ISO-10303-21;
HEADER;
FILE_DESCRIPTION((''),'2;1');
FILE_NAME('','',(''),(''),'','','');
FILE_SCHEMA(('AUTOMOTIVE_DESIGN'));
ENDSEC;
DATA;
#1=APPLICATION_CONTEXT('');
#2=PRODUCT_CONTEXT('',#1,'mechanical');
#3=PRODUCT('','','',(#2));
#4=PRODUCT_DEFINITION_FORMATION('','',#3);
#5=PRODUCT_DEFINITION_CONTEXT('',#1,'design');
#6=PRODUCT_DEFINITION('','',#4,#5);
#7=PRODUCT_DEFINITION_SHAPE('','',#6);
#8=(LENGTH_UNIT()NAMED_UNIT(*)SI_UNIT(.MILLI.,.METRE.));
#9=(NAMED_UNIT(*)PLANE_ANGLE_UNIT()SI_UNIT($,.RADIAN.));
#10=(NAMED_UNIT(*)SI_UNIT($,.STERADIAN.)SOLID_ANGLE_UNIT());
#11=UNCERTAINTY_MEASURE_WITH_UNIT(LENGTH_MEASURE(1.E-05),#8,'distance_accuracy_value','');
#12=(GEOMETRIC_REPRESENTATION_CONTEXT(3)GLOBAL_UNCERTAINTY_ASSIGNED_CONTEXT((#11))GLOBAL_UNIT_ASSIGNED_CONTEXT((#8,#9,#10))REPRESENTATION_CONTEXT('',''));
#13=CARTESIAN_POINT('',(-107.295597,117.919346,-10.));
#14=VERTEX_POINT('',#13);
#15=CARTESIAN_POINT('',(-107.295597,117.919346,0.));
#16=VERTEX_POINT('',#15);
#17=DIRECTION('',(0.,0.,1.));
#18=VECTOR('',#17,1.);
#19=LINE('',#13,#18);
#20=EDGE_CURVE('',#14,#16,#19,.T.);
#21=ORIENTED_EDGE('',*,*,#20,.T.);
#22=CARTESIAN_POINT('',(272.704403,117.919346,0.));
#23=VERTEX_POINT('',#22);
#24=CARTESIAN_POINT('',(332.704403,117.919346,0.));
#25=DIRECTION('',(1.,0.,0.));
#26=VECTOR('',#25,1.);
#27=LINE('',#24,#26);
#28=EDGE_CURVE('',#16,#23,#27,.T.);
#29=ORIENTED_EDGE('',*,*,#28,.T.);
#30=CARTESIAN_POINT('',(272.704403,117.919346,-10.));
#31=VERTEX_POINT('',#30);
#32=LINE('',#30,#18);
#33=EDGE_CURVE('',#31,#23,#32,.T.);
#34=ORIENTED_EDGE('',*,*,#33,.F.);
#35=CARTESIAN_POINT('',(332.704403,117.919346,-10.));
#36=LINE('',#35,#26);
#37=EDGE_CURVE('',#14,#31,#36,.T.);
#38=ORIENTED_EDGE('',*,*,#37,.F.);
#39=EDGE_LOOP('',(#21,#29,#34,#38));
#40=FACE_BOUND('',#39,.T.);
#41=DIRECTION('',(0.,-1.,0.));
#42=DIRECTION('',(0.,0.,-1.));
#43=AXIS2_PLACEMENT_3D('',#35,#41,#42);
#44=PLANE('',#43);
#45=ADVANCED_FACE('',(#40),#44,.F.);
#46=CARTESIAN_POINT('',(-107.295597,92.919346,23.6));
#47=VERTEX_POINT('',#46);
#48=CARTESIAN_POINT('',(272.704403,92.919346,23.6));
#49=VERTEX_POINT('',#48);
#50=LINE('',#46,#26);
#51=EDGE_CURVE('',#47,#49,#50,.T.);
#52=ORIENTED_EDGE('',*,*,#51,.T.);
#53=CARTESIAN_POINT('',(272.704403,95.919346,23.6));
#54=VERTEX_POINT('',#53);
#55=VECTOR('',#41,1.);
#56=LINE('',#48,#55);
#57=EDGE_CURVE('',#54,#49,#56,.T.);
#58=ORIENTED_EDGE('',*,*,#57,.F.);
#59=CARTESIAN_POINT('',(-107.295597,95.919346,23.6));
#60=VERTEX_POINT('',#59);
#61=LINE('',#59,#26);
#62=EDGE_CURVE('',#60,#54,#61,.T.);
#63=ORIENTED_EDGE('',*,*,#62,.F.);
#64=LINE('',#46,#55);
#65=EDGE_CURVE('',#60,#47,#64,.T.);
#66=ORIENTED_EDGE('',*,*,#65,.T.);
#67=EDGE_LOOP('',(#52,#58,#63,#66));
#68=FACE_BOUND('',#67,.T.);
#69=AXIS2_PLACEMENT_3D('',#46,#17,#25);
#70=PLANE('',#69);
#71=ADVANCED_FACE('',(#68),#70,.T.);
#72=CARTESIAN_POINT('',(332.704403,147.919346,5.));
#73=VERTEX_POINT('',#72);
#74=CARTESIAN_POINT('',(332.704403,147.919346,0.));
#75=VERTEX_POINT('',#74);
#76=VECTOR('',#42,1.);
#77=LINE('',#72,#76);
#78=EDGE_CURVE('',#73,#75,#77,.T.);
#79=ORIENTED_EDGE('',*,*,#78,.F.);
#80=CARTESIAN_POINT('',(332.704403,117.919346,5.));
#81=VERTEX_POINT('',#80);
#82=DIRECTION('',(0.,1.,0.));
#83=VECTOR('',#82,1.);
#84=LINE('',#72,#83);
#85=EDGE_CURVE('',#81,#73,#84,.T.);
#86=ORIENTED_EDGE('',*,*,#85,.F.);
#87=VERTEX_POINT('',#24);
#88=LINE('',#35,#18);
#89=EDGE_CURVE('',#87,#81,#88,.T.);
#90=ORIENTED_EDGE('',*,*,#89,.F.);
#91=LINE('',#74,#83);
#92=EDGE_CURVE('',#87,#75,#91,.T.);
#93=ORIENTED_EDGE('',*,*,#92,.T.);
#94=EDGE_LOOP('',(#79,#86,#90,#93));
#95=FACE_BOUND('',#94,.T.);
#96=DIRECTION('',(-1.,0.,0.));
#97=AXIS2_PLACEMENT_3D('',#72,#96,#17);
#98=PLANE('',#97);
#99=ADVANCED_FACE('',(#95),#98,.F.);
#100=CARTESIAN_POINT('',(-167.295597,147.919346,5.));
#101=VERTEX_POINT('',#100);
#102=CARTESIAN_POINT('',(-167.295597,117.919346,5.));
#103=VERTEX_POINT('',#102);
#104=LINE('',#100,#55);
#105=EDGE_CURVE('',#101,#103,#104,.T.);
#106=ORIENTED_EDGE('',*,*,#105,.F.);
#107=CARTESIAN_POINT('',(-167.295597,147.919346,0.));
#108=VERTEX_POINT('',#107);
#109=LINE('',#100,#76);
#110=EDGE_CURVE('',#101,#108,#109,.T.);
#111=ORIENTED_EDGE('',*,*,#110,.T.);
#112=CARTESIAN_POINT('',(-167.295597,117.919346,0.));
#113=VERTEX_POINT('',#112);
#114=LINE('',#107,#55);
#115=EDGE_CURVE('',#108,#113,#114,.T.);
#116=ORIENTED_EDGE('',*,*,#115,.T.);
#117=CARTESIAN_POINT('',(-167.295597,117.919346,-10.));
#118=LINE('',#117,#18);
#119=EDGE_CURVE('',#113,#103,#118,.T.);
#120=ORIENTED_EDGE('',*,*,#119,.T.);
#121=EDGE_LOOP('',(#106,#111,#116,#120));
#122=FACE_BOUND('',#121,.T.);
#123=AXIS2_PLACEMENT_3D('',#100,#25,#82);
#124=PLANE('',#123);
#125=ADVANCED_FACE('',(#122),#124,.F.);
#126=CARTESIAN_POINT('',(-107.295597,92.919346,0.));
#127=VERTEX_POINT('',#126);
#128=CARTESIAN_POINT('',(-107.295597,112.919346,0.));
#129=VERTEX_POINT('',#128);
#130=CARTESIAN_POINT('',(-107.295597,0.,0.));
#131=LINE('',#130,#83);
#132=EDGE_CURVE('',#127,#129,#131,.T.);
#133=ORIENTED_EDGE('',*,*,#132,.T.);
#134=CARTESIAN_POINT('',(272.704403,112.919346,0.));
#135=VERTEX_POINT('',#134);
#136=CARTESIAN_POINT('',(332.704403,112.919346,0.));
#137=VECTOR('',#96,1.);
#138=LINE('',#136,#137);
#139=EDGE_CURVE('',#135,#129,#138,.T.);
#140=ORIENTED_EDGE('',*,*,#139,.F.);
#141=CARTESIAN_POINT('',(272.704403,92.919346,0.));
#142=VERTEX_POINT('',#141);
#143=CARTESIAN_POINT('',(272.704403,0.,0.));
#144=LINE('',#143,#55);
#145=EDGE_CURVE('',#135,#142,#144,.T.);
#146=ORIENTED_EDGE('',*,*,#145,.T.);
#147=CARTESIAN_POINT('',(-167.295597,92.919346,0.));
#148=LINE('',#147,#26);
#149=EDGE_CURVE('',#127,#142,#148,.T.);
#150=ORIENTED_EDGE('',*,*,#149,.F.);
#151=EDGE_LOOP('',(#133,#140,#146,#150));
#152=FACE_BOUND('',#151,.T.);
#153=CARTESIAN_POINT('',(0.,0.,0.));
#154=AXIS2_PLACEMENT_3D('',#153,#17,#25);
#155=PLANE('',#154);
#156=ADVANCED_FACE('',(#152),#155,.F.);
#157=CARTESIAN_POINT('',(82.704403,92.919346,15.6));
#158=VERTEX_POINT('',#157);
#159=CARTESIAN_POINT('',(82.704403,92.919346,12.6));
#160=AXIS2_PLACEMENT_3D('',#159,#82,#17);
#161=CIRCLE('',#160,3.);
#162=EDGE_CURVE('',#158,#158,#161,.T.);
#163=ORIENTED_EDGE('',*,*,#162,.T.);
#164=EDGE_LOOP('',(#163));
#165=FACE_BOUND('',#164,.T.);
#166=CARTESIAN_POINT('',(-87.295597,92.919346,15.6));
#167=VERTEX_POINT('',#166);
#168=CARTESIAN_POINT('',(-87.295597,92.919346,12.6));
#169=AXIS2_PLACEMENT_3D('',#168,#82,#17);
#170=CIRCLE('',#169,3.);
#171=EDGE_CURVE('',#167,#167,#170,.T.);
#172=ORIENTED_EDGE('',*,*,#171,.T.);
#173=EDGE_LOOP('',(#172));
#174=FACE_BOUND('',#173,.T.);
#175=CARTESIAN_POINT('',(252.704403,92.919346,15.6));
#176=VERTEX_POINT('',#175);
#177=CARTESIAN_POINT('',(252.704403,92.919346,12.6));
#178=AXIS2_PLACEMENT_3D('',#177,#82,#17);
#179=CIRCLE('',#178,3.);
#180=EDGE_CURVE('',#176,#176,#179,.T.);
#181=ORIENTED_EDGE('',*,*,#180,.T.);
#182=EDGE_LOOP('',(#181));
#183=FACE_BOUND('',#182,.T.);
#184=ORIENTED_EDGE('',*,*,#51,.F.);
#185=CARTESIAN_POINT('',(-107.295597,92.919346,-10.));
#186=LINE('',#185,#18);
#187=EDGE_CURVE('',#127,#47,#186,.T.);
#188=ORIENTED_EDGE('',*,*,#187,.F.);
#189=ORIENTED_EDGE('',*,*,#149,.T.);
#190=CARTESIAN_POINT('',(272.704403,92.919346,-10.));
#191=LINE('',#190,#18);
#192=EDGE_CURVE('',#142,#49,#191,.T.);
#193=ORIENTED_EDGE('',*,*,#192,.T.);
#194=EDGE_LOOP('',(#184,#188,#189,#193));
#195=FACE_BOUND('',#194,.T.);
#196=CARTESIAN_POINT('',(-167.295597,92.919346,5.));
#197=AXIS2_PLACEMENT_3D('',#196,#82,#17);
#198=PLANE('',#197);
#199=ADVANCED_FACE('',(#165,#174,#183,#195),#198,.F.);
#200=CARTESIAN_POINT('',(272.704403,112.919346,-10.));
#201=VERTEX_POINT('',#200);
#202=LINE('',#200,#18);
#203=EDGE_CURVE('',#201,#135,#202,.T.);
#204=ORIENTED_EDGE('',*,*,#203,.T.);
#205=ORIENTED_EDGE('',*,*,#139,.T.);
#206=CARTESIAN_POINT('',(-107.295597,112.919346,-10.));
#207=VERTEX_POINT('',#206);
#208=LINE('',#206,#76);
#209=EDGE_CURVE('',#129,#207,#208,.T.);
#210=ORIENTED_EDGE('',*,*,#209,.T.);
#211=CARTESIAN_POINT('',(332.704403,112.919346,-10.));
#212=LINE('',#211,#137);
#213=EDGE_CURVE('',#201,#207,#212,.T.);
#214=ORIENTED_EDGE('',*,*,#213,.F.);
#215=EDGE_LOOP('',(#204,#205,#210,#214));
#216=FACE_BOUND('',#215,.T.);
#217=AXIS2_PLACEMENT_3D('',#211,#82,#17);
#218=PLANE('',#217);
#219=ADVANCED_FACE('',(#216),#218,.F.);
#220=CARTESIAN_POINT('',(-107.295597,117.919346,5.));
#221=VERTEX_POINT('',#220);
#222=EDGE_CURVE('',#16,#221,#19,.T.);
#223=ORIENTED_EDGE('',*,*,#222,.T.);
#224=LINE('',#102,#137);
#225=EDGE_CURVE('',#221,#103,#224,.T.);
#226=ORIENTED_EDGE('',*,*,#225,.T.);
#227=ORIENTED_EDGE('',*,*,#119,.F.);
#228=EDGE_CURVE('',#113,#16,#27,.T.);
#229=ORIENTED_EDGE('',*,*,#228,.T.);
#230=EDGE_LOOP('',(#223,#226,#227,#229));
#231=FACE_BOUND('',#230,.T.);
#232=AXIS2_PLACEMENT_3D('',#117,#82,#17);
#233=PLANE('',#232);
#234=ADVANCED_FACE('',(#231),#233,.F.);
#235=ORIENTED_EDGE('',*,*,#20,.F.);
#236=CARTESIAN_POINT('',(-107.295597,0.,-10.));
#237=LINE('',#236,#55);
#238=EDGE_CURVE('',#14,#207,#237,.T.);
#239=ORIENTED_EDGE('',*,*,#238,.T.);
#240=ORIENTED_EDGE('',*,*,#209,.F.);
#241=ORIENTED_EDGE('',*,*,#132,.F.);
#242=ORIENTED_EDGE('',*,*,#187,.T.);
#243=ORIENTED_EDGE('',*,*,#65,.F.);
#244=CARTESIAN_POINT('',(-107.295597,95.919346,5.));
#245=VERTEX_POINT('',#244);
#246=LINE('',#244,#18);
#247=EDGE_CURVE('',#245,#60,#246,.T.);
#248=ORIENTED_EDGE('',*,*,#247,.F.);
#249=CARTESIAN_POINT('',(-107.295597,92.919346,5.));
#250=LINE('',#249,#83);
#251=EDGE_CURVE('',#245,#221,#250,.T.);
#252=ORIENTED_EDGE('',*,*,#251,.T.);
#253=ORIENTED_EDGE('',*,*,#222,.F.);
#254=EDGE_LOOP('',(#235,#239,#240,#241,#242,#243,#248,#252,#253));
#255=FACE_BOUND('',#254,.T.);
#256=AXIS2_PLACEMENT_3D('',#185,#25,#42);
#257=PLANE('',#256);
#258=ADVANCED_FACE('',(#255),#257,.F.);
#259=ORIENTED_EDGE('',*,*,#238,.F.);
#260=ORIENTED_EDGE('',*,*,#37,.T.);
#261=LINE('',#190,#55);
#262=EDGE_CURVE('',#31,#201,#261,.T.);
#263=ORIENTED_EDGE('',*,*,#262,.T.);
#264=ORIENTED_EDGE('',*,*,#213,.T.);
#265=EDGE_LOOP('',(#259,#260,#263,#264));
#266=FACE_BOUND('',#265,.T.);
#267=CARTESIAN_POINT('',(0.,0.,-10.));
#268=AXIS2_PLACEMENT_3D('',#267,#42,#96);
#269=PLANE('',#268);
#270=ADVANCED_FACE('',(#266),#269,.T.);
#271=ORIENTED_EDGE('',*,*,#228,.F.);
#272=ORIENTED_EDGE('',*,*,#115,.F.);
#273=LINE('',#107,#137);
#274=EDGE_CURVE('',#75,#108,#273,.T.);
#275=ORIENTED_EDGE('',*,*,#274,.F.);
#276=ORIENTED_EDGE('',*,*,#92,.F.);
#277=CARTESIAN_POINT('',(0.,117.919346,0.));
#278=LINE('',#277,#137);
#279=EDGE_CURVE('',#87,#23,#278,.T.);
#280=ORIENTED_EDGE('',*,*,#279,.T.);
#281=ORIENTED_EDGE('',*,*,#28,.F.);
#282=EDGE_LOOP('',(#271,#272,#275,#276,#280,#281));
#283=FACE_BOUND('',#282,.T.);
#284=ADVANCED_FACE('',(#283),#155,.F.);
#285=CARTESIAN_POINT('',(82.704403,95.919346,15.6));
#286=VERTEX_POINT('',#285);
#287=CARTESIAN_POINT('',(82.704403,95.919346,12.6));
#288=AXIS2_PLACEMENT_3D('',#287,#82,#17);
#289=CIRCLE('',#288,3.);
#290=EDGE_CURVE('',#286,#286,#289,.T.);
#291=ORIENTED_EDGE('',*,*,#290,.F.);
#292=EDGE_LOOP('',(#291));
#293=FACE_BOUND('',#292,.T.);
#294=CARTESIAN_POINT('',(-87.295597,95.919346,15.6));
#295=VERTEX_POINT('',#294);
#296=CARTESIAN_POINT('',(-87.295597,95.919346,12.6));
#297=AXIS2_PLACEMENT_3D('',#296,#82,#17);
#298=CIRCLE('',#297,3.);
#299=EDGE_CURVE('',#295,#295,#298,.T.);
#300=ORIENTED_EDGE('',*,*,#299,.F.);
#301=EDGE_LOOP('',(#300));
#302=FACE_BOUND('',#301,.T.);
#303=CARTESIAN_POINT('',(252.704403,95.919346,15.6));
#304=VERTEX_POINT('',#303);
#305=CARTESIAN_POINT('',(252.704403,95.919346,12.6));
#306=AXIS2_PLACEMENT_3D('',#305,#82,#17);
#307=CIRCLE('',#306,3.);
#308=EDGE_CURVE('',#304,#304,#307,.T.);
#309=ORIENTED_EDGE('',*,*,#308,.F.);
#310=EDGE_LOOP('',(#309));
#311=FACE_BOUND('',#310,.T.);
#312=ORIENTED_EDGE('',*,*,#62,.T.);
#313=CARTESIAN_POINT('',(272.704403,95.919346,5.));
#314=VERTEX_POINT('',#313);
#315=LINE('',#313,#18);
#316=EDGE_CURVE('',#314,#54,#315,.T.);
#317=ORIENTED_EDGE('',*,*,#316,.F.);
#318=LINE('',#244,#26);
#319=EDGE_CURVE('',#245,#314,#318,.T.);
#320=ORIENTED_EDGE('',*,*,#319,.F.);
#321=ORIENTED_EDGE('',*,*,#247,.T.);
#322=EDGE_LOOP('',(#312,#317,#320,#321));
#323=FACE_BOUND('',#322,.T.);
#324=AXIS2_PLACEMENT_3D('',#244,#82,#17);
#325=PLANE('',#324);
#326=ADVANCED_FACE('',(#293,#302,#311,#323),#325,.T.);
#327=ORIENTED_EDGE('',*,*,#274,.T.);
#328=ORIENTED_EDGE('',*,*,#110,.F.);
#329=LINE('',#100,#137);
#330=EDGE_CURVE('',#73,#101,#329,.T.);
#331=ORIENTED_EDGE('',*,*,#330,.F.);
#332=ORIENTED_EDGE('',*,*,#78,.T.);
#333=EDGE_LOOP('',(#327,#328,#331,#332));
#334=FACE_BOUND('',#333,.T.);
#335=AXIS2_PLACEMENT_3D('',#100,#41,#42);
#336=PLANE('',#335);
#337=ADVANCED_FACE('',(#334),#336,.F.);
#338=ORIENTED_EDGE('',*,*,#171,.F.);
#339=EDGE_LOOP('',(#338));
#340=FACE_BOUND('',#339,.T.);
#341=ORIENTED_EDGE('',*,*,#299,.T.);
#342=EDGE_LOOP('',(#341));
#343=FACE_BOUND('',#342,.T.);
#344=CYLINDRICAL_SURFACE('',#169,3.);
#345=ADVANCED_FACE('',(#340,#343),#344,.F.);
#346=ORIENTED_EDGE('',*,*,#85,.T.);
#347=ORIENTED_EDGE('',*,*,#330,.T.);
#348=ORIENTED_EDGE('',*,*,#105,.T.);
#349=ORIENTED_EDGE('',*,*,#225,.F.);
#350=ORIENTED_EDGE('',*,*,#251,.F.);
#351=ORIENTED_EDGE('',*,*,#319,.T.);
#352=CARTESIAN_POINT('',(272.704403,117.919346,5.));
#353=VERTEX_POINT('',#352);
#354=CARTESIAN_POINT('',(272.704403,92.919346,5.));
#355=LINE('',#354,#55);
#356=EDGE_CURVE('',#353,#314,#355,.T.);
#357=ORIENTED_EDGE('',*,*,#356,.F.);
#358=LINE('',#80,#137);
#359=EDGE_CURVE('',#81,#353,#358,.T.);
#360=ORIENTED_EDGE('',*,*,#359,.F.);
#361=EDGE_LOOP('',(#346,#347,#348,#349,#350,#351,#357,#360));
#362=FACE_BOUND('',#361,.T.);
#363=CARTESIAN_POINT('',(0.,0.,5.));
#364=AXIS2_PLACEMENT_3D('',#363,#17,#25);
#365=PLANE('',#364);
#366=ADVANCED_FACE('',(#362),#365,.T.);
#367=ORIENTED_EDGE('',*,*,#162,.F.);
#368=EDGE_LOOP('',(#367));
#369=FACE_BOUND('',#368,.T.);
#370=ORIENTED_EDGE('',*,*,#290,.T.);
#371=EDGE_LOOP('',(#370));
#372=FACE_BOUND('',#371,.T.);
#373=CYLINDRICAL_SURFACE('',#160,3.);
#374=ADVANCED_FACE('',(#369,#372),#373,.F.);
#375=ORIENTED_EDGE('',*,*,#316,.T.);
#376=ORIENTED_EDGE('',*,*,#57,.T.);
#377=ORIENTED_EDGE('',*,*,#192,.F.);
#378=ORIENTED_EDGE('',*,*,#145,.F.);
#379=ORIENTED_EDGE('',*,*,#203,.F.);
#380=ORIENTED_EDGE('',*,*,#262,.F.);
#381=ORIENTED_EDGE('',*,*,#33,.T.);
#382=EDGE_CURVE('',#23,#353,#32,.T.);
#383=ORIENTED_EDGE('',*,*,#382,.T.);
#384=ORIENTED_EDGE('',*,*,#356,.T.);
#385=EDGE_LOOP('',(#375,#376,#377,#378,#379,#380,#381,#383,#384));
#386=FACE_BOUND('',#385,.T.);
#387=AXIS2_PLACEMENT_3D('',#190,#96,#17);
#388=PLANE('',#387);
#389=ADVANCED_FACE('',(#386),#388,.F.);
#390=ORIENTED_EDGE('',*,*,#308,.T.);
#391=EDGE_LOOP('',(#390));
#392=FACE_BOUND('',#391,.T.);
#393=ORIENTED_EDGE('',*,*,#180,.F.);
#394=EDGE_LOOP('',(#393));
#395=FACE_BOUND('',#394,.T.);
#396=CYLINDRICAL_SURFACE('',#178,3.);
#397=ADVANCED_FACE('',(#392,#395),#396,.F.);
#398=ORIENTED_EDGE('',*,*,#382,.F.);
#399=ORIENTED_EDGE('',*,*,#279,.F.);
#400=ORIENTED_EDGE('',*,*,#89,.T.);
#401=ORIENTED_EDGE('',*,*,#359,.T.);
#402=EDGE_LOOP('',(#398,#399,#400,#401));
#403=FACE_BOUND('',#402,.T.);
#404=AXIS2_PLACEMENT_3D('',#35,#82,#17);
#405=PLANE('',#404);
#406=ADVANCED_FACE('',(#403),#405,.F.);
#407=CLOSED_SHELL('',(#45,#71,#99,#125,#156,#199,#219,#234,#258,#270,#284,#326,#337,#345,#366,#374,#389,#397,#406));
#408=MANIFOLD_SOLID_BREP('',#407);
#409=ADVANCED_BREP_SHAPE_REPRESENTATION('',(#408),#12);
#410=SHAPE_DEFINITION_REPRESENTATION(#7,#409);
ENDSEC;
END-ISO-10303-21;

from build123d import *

# Parameters (mm, degrees)
SKETCH_1_W          = 500
SKETCH_1_H          = 55
EXTRUDE_1_DEPTH     = 5
SKETCH_2_W          = 500
SKETCH_2_H          = 5
EXTRUDE_2_DEPTH     = 10
SKETCH_6_W          = 60
SKETCH_6_H          = 25
CUT_EXTRUDE_2_DEPTH = 365.413710539
SKETCH_7_W          = 18.6
SKETCH_7_H          = 3
EXTRUDE_5_DEPTH     = 380
SKETCH_8_R          = 3
CUT_EXTRUDE_3_DEPTH = 338.569517956


with BuildPart() as part:
    # 草图1 → 凸台-拉伸1 (new body)
    with BuildSketch(Plane.XY):
        with Locations((82.704402516, 120.419346185)):
            Rectangle(SKETCH_1_W, SKETCH_1_H)
    extrude(amount=EXTRUDE_1_DEPTH)

    # 草图2 → 凸台-拉伸2 (add)
    with BuildSketch(Plane(origin=(0, 0, 0), x_dir=(-1, 0, 0), z_dir=(0, 0, -1))):
        with Locations((-82.704402516, 115.419346185)):
            Rectangle(SKETCH_2_W, SKETCH_2_H)
    extrude(amount=EXTRUDE_2_DEPTH)

    # 草图6 → 切除-拉伸2 (cut, through all)
    with BuildSketch(Plane.XY.offset(5)):
        with Locations((302.704402516, 105.419346185)):
            Rectangle(SKETCH_6_W, SKETCH_6_H)
        with Locations((-137.295597484, 105.419346185)):
            Rectangle(SKETCH_6_W, SKETCH_6_H)
    extrude(amount=-CUT_EXTRUDE_2_DEPTH, mode=Mode.SUBTRACT)

    # 草图7 → 凸台-拉伸5 (add)
    with BuildSketch(Plane(origin=(272.704402516, 0, 0), x_dir=(0, 0, -1), z_dir=(1, 0, 0))):
        with Locations((-14.3, 94.419346185)):
            Rectangle(SKETCH_7_W, SKETCH_7_H)
    extrude(amount=-EXTRUDE_5_DEPTH)

    # 草图8 → 切除-拉伸3 (cut, through all)
    with BuildSketch(Plane(origin=(0, 95.919346185, 0), x_dir=(1, 0, 0), z_dir=(0, 1, 0))):
        with Locations(Location((-87.295597484, -12.6, 0), (0, 0, 270))):
            Circle(SKETCH_8_R)
        with Locations(Location((82.704402516, -12.6, 0), (0, 0, 270))):
            Circle(SKETCH_8_R)
        with Locations(Location((252.704402516, -12.6, 0), (0, 0, 270))):
            Circle(SKETCH_8_R)
    extrude(amount=-CUT_EXTRUDE_3_DEPTH, mode=Mode.SUBTRACT)


solid = part.part
